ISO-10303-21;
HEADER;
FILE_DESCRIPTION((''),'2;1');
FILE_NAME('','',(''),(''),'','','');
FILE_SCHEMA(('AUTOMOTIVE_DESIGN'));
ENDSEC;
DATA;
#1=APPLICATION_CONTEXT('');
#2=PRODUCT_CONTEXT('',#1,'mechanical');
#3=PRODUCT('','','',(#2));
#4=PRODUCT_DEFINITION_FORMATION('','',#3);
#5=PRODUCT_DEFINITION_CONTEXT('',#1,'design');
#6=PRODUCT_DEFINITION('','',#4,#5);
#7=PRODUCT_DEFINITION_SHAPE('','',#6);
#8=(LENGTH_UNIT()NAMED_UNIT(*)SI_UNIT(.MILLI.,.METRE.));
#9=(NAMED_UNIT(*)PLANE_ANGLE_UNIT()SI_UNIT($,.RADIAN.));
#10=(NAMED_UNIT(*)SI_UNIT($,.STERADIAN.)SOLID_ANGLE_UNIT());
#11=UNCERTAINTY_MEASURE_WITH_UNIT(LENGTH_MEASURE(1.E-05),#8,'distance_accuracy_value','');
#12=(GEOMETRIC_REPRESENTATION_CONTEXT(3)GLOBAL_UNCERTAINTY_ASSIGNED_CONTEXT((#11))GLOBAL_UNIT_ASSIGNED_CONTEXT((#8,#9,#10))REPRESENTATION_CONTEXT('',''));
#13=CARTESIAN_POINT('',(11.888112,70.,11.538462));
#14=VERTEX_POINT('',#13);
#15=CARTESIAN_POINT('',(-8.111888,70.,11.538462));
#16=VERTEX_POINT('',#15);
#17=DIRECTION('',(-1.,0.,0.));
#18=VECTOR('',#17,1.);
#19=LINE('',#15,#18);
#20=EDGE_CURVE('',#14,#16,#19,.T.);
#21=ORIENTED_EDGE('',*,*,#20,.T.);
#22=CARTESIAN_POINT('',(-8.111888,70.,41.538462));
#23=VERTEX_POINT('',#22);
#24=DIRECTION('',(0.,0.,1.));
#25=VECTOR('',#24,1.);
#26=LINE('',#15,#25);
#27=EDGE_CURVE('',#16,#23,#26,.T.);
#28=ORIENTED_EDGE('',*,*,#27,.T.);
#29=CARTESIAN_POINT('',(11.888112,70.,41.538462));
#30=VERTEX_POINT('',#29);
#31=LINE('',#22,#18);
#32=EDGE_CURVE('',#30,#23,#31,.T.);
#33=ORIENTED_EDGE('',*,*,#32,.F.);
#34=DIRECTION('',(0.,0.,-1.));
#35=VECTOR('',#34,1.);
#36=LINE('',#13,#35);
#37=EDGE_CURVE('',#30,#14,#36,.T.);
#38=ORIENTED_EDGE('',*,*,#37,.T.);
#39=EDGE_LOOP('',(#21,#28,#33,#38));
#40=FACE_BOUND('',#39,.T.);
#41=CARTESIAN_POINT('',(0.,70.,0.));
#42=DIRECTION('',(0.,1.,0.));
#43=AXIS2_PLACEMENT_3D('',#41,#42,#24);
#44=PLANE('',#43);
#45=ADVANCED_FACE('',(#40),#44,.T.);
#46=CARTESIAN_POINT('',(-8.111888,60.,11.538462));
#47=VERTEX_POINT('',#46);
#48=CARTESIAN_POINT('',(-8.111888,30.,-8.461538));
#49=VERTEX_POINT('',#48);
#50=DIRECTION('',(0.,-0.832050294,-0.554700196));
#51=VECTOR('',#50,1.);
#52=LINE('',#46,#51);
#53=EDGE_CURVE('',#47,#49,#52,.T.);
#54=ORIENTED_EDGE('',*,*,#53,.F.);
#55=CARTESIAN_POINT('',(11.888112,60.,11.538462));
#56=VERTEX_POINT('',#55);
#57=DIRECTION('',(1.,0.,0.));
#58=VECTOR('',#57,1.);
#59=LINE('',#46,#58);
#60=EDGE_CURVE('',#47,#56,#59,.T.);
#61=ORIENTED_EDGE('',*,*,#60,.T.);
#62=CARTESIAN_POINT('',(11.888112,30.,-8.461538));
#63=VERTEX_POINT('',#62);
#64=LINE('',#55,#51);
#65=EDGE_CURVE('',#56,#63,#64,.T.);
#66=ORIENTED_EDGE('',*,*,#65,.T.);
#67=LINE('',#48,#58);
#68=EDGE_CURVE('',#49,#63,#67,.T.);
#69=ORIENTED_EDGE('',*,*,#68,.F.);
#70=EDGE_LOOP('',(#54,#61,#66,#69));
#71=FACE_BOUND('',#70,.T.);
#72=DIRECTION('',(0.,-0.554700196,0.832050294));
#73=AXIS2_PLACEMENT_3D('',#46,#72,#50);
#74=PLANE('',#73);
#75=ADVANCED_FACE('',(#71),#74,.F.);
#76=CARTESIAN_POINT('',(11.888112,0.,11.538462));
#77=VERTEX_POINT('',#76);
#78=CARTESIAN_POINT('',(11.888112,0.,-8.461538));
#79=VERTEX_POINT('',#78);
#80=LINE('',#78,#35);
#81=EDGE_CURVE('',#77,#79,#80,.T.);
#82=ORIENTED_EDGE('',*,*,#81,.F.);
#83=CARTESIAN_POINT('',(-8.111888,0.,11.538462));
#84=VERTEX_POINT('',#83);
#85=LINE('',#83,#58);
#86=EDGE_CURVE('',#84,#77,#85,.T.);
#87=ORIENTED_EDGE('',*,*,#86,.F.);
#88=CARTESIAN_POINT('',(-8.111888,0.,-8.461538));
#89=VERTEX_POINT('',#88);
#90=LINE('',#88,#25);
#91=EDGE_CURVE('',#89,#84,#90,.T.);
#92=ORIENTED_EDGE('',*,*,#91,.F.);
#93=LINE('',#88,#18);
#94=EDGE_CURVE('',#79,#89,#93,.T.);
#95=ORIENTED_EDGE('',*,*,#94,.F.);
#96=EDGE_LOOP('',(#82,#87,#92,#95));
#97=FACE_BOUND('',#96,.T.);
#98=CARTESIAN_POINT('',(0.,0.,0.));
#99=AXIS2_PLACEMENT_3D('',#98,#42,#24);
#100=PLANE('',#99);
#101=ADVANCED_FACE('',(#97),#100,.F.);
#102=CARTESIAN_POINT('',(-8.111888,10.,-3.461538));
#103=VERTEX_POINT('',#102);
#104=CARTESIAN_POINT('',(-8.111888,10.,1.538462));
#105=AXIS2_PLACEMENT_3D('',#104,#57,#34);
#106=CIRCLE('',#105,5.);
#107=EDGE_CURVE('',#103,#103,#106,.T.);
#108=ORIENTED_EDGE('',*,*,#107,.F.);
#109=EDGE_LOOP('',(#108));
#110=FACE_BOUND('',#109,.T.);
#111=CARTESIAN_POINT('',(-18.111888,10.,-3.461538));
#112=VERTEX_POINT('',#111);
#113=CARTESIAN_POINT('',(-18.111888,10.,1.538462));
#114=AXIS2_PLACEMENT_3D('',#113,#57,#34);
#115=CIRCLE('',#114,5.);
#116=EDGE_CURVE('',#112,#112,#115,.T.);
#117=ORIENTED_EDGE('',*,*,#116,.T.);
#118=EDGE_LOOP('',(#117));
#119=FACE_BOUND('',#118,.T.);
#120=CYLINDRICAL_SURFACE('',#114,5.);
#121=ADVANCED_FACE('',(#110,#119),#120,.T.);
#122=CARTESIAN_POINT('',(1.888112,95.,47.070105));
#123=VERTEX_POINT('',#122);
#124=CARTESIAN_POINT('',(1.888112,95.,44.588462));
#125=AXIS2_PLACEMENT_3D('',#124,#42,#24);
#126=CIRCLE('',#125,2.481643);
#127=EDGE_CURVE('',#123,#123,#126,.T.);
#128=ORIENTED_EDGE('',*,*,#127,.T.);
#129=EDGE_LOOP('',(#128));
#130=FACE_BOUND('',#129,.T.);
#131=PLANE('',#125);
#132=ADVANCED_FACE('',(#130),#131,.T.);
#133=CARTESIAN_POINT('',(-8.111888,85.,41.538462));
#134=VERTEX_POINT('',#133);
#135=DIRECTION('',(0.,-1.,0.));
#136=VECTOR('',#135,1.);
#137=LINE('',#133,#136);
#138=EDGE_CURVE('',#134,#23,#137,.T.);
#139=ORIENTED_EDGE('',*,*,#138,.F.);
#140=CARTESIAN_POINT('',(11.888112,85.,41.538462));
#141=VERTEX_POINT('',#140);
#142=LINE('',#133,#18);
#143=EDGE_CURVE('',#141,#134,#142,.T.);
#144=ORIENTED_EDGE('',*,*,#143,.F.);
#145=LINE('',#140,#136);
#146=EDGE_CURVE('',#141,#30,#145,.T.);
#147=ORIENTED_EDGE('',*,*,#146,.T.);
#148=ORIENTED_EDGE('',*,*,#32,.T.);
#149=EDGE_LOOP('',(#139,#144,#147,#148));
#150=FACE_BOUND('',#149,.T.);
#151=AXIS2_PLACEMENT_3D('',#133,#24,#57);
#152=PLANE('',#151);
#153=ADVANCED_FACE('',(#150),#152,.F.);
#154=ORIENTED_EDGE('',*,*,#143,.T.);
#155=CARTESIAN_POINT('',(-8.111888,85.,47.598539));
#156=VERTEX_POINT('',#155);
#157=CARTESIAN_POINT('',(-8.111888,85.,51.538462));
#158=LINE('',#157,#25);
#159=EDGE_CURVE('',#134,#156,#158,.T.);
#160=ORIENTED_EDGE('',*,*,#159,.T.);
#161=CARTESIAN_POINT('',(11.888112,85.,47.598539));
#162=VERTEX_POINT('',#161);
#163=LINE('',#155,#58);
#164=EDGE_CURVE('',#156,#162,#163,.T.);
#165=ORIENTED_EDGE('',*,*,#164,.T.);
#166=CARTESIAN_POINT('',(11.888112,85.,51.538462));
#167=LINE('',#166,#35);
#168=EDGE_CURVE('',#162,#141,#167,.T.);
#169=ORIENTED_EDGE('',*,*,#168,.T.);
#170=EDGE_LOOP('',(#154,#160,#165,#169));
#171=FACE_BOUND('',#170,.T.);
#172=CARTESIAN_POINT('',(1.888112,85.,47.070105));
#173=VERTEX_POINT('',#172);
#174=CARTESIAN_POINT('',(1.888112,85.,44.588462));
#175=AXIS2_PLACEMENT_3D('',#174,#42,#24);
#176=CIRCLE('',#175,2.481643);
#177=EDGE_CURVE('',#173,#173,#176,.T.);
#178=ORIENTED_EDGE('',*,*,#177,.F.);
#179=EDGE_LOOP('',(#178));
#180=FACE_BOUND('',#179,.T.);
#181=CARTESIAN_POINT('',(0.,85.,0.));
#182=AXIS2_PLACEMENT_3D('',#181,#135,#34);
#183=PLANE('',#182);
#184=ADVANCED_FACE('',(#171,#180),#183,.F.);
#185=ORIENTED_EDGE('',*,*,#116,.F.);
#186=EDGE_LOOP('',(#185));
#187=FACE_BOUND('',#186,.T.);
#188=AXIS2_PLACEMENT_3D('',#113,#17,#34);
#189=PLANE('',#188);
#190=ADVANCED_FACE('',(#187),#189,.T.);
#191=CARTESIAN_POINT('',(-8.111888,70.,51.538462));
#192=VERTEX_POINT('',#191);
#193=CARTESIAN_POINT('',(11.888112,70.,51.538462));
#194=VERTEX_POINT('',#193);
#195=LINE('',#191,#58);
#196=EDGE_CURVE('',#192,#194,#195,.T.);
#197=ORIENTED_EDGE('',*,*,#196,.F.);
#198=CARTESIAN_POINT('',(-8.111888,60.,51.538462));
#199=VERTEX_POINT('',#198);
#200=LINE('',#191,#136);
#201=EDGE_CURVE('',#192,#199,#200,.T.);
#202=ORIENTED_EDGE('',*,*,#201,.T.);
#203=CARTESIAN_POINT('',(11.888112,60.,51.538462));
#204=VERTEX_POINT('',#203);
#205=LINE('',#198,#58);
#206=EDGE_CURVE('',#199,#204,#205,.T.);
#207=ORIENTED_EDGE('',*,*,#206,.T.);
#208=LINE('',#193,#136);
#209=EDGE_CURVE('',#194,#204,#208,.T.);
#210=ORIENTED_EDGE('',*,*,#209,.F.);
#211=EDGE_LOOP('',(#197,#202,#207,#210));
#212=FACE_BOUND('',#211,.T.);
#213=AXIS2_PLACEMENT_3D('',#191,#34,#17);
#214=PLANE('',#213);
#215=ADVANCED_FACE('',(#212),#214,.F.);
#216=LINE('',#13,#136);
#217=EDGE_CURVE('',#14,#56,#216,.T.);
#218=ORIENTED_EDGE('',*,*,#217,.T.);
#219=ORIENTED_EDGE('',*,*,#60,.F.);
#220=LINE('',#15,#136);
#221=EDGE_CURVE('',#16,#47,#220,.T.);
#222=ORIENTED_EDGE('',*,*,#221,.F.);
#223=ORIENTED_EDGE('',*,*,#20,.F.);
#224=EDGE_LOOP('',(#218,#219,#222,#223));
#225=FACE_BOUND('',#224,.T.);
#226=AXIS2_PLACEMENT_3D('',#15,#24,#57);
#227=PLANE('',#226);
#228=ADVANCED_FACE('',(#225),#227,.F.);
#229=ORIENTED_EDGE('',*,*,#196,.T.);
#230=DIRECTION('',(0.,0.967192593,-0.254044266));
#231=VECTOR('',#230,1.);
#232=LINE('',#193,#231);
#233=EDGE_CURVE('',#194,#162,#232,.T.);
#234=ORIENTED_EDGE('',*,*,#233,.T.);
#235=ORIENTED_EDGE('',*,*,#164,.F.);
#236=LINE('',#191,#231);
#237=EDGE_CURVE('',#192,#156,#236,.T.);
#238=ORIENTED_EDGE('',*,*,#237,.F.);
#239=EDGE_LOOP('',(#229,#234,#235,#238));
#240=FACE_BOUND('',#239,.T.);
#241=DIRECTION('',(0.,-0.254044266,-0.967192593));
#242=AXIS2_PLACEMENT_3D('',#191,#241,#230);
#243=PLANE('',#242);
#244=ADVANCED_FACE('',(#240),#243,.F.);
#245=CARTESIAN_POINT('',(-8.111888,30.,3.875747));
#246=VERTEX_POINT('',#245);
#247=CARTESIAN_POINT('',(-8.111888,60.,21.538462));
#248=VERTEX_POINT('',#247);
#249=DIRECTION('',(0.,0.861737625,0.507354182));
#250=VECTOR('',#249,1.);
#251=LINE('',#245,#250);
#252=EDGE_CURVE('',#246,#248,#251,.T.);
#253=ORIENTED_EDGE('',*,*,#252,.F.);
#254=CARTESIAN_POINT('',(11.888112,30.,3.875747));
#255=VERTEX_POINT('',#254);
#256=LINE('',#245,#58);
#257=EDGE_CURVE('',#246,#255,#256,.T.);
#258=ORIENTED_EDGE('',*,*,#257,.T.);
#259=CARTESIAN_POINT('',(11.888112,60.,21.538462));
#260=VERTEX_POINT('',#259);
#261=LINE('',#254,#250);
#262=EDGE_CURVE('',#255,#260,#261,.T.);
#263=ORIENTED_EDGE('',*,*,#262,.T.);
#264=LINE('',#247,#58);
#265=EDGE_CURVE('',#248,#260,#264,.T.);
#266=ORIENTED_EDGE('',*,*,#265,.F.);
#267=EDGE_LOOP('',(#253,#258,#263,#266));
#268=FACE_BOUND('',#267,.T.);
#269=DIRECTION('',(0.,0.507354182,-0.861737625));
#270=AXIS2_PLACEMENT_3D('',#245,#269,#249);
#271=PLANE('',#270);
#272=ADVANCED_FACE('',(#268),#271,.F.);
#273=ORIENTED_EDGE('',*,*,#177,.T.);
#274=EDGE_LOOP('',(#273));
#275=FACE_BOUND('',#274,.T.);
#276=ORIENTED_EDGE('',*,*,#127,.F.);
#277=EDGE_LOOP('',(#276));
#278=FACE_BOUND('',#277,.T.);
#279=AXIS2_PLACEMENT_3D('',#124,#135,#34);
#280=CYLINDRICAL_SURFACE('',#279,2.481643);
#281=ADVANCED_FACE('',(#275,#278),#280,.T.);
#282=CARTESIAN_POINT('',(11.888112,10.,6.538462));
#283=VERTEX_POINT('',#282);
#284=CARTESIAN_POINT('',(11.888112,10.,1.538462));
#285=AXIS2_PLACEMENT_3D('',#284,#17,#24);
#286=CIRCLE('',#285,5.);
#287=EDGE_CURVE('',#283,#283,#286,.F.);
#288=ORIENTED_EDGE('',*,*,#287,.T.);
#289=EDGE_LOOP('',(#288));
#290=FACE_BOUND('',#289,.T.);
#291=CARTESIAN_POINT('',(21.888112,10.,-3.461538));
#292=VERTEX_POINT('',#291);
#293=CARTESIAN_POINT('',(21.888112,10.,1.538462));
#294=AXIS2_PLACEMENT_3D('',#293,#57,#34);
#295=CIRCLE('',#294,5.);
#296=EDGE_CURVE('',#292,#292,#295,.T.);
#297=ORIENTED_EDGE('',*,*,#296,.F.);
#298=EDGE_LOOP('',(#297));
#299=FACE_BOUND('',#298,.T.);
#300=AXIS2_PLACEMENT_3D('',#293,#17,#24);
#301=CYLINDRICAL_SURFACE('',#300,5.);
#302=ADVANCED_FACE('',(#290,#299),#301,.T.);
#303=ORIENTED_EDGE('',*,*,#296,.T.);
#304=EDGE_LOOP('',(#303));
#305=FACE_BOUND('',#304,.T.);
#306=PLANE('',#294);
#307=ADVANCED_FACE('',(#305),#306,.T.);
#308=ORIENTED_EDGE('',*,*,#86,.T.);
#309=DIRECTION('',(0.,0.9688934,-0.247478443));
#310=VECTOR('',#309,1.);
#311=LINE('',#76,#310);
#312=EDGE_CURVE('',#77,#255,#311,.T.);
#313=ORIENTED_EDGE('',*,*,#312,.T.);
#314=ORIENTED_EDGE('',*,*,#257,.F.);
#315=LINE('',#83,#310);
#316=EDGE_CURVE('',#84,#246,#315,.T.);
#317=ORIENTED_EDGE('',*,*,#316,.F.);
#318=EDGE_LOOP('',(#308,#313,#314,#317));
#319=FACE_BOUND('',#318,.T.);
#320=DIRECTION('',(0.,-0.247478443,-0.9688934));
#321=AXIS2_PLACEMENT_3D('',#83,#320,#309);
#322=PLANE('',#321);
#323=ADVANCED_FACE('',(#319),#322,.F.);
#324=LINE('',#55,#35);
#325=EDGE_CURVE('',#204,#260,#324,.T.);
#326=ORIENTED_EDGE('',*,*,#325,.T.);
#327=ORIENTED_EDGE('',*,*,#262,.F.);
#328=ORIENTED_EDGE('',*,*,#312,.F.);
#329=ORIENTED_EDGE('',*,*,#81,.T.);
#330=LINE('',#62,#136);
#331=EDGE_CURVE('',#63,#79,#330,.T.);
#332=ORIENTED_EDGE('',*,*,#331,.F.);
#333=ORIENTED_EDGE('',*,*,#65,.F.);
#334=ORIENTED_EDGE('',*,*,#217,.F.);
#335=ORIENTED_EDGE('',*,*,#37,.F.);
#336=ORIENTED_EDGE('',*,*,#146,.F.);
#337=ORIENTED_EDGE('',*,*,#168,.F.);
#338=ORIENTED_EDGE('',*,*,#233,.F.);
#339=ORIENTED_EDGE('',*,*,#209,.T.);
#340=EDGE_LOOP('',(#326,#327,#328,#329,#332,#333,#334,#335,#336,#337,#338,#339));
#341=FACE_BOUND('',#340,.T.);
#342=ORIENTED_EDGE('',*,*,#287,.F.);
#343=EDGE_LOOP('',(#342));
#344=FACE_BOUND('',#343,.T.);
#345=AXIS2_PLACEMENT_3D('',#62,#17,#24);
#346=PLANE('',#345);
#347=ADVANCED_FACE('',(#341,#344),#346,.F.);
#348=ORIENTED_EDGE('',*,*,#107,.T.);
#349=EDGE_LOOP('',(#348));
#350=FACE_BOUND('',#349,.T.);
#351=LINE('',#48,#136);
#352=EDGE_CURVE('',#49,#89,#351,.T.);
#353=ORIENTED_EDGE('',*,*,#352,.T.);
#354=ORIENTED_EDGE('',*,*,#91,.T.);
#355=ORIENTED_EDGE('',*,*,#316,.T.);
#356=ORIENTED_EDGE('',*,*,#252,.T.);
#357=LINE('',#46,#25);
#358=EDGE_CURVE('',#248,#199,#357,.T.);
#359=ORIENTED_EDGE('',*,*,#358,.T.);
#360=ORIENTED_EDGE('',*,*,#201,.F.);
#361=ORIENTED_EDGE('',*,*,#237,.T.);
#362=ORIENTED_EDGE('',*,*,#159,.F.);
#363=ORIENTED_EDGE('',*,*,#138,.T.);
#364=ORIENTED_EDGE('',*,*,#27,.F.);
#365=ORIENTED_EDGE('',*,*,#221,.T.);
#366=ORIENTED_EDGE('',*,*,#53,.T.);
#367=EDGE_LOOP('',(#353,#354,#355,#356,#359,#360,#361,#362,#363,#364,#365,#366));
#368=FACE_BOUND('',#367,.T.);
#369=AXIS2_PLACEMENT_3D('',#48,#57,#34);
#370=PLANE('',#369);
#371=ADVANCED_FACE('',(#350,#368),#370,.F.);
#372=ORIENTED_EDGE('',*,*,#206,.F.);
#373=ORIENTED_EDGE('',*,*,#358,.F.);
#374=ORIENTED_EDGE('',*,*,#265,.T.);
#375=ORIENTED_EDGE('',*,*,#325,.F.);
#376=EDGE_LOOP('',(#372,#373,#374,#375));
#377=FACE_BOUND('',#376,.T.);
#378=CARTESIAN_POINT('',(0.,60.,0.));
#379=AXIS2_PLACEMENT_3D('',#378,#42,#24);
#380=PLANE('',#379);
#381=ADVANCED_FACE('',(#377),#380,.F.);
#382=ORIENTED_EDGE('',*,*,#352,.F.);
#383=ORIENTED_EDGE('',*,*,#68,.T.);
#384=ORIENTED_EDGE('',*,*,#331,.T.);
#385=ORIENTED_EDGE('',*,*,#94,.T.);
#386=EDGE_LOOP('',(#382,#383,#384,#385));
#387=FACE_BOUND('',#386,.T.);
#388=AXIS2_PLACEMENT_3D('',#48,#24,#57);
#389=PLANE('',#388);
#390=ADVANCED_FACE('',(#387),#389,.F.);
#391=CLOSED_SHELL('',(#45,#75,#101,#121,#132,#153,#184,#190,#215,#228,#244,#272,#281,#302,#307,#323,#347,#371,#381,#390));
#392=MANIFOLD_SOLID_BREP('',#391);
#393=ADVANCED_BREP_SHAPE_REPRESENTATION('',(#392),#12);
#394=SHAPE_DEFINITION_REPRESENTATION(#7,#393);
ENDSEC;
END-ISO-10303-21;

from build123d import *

# Parameters (mm, degrees)
SKETCH1_W           = 20
SKETCH1_H           = 20
BOSS_EXTRUDE2_DEPTH = 30
SKETCH2_R           = 5
BOSS_EXTRUDE3_DEPTH = 10
CUT_EXTRUDE2_DEPTH  = 20
SKETCH5_W           = 20
SKETCH5_H           = 30
BOSS_EXTRUDE4_DEPTH = 30
CUT_EXTRUDE3_DEPTH  = 20
SKETCH7_W           = 20
SKETCH7_H           = 40
BOSS_EXTRUDE5_DEPTH = 10
SKETCH8_W           = 20
SKETCH8_H           = 10
BOSS_EXTRUDE6_DEPTH = 15
CUT_EXTRUDE4_DEPTH  = 20
SKETCH10_R          = 2.481643059
BOSS_EXTRUDE7_DEPTH = 10


with BuildPart() as part:
    # Sketch1 → Boss-Extrude2 (new body)
    with BuildSketch(Plane(origin=(0, 0, 0), x_dir=(1, 0, 0), z_dir=(0, 1, 0))):
        with Locations((1.888111888, -1.538461538)):
            Rectangle(SKETCH1_W, SKETCH1_H)
    extrude(amount=BOSS_EXTRUDE2_DEPTH)

    # Sketch2 → Boss-Extrude3 (add)
    with BuildSketch(Plane(origin=(11.888111888, 0, 0), x_dir=(0, 0, -1), z_dir=(1, 0, 0))):
        with Locations(Location((-1.538461538, 10, 0), (0, 0, 180))):
            Circle(SKETCH2_R)
    boss_extrude3 = extrude(amount=BOSS_EXTRUDE3_DEPTH)

    # Mirror1: Boss-Extrude3 across plane
    add(boss_extrude3.mirror(Plane(origin=(1.888111888, 0, 0), x_dir=(0, 0, 1), z_dir=(1, 0, 0))))

    # Sketch3 → Cut-Extrude2 (cut)
    with BuildSketch(Plane(origin=(11.888111888, 0, 0), x_dir=(0, 0, -1), z_dir=(1, 0, 0))):
        Polygon((-11.538461538, 0), (-3.87574726, 30), (-11.538461538, 30), align=None)
    extrude(amount=-CUT_EXTRUDE2_DEPTH, mode=Mode.SUBTRACT)

    # Sketch5 → Boss-Extrude4 (add)
    with BuildSketch(Plane(origin=(0, 30, 0), x_dir=(1, 0, 0), z_dir=(0, 1, 0))):
        with Locations((1.888111888, -6.538461538)):
            Rectangle(SKETCH5_W, SKETCH5_H)
    extrude(amount=BOSS_EXTRUDE4_DEPTH)

    # Sketch6 → Cut-Extrude3 (cut)
    with BuildSketch(Plane(origin=(11.888111888, 0, 0), x_dir=(0, 0, -1), z_dir=(1, 0, 0))):
        Polygon((-3.87574726, 30), (-21.538461538, 60), (-21.538461538, 30), align=None)
        Polygon((8.461538462, 30), (8.461538462, 60), (-11.538461538, 60), align=None)
    extrude(amount=-CUT_EXTRUDE3_DEPTH, mode=Mode.SUBTRACT)

    # Sketch7 → Boss-Extrude5 (add)
    with BuildSketch(Plane(origin=(0, 60, 0), x_dir=(1, 0, 0), z_dir=(0, 1, 0))):
        with Locations((1.888111888, -31.538461538)):
            Rectangle(SKETCH7_W, SKETCH7_H)
    extrude(amount=BOSS_EXTRUDE5_DEPTH)

    # Sketch8 → Boss-Extrude6 (add)
    with BuildSketch(Plane(origin=(0, 70, 0), x_dir=(1, 0, 0), z_dir=(0, 1, 0))):
        with Locations((1.888111888, -46.538461538)):
            Rectangle(SKETCH8_W, SKETCH8_H)
    extrude(amount=BOSS_EXTRUDE6_DEPTH)

    # Sketch9 → Cut-Extrude4 (cut)
    with BuildSketch(Plane(origin=(11.888111888, 0, 0), x_dir=(0, 0, -1), z_dir=(1, 0, 0))):
        Polygon((-51.538461538, 70), (-47.598538903, 85), (-51.538461538, 85), align=None)
    extrude(amount=-CUT_EXTRUDE4_DEPTH, mode=Mode.SUBTRACT)

    # Sketch10 → Boss-Extrude7 (add)
    with BuildSketch(Plane(origin=(0, 85, 0), x_dir=(1, 0, 0), z_dir=(0, 1, 0))):
        with Locations(Location((1.888111888, -44.588461538, 0), (0, 0, 270))):
            Circle(SKETCH10_R)
    extrude(amount=BOSS_EXTRUDE7_DEPTH)


solid = part.part
